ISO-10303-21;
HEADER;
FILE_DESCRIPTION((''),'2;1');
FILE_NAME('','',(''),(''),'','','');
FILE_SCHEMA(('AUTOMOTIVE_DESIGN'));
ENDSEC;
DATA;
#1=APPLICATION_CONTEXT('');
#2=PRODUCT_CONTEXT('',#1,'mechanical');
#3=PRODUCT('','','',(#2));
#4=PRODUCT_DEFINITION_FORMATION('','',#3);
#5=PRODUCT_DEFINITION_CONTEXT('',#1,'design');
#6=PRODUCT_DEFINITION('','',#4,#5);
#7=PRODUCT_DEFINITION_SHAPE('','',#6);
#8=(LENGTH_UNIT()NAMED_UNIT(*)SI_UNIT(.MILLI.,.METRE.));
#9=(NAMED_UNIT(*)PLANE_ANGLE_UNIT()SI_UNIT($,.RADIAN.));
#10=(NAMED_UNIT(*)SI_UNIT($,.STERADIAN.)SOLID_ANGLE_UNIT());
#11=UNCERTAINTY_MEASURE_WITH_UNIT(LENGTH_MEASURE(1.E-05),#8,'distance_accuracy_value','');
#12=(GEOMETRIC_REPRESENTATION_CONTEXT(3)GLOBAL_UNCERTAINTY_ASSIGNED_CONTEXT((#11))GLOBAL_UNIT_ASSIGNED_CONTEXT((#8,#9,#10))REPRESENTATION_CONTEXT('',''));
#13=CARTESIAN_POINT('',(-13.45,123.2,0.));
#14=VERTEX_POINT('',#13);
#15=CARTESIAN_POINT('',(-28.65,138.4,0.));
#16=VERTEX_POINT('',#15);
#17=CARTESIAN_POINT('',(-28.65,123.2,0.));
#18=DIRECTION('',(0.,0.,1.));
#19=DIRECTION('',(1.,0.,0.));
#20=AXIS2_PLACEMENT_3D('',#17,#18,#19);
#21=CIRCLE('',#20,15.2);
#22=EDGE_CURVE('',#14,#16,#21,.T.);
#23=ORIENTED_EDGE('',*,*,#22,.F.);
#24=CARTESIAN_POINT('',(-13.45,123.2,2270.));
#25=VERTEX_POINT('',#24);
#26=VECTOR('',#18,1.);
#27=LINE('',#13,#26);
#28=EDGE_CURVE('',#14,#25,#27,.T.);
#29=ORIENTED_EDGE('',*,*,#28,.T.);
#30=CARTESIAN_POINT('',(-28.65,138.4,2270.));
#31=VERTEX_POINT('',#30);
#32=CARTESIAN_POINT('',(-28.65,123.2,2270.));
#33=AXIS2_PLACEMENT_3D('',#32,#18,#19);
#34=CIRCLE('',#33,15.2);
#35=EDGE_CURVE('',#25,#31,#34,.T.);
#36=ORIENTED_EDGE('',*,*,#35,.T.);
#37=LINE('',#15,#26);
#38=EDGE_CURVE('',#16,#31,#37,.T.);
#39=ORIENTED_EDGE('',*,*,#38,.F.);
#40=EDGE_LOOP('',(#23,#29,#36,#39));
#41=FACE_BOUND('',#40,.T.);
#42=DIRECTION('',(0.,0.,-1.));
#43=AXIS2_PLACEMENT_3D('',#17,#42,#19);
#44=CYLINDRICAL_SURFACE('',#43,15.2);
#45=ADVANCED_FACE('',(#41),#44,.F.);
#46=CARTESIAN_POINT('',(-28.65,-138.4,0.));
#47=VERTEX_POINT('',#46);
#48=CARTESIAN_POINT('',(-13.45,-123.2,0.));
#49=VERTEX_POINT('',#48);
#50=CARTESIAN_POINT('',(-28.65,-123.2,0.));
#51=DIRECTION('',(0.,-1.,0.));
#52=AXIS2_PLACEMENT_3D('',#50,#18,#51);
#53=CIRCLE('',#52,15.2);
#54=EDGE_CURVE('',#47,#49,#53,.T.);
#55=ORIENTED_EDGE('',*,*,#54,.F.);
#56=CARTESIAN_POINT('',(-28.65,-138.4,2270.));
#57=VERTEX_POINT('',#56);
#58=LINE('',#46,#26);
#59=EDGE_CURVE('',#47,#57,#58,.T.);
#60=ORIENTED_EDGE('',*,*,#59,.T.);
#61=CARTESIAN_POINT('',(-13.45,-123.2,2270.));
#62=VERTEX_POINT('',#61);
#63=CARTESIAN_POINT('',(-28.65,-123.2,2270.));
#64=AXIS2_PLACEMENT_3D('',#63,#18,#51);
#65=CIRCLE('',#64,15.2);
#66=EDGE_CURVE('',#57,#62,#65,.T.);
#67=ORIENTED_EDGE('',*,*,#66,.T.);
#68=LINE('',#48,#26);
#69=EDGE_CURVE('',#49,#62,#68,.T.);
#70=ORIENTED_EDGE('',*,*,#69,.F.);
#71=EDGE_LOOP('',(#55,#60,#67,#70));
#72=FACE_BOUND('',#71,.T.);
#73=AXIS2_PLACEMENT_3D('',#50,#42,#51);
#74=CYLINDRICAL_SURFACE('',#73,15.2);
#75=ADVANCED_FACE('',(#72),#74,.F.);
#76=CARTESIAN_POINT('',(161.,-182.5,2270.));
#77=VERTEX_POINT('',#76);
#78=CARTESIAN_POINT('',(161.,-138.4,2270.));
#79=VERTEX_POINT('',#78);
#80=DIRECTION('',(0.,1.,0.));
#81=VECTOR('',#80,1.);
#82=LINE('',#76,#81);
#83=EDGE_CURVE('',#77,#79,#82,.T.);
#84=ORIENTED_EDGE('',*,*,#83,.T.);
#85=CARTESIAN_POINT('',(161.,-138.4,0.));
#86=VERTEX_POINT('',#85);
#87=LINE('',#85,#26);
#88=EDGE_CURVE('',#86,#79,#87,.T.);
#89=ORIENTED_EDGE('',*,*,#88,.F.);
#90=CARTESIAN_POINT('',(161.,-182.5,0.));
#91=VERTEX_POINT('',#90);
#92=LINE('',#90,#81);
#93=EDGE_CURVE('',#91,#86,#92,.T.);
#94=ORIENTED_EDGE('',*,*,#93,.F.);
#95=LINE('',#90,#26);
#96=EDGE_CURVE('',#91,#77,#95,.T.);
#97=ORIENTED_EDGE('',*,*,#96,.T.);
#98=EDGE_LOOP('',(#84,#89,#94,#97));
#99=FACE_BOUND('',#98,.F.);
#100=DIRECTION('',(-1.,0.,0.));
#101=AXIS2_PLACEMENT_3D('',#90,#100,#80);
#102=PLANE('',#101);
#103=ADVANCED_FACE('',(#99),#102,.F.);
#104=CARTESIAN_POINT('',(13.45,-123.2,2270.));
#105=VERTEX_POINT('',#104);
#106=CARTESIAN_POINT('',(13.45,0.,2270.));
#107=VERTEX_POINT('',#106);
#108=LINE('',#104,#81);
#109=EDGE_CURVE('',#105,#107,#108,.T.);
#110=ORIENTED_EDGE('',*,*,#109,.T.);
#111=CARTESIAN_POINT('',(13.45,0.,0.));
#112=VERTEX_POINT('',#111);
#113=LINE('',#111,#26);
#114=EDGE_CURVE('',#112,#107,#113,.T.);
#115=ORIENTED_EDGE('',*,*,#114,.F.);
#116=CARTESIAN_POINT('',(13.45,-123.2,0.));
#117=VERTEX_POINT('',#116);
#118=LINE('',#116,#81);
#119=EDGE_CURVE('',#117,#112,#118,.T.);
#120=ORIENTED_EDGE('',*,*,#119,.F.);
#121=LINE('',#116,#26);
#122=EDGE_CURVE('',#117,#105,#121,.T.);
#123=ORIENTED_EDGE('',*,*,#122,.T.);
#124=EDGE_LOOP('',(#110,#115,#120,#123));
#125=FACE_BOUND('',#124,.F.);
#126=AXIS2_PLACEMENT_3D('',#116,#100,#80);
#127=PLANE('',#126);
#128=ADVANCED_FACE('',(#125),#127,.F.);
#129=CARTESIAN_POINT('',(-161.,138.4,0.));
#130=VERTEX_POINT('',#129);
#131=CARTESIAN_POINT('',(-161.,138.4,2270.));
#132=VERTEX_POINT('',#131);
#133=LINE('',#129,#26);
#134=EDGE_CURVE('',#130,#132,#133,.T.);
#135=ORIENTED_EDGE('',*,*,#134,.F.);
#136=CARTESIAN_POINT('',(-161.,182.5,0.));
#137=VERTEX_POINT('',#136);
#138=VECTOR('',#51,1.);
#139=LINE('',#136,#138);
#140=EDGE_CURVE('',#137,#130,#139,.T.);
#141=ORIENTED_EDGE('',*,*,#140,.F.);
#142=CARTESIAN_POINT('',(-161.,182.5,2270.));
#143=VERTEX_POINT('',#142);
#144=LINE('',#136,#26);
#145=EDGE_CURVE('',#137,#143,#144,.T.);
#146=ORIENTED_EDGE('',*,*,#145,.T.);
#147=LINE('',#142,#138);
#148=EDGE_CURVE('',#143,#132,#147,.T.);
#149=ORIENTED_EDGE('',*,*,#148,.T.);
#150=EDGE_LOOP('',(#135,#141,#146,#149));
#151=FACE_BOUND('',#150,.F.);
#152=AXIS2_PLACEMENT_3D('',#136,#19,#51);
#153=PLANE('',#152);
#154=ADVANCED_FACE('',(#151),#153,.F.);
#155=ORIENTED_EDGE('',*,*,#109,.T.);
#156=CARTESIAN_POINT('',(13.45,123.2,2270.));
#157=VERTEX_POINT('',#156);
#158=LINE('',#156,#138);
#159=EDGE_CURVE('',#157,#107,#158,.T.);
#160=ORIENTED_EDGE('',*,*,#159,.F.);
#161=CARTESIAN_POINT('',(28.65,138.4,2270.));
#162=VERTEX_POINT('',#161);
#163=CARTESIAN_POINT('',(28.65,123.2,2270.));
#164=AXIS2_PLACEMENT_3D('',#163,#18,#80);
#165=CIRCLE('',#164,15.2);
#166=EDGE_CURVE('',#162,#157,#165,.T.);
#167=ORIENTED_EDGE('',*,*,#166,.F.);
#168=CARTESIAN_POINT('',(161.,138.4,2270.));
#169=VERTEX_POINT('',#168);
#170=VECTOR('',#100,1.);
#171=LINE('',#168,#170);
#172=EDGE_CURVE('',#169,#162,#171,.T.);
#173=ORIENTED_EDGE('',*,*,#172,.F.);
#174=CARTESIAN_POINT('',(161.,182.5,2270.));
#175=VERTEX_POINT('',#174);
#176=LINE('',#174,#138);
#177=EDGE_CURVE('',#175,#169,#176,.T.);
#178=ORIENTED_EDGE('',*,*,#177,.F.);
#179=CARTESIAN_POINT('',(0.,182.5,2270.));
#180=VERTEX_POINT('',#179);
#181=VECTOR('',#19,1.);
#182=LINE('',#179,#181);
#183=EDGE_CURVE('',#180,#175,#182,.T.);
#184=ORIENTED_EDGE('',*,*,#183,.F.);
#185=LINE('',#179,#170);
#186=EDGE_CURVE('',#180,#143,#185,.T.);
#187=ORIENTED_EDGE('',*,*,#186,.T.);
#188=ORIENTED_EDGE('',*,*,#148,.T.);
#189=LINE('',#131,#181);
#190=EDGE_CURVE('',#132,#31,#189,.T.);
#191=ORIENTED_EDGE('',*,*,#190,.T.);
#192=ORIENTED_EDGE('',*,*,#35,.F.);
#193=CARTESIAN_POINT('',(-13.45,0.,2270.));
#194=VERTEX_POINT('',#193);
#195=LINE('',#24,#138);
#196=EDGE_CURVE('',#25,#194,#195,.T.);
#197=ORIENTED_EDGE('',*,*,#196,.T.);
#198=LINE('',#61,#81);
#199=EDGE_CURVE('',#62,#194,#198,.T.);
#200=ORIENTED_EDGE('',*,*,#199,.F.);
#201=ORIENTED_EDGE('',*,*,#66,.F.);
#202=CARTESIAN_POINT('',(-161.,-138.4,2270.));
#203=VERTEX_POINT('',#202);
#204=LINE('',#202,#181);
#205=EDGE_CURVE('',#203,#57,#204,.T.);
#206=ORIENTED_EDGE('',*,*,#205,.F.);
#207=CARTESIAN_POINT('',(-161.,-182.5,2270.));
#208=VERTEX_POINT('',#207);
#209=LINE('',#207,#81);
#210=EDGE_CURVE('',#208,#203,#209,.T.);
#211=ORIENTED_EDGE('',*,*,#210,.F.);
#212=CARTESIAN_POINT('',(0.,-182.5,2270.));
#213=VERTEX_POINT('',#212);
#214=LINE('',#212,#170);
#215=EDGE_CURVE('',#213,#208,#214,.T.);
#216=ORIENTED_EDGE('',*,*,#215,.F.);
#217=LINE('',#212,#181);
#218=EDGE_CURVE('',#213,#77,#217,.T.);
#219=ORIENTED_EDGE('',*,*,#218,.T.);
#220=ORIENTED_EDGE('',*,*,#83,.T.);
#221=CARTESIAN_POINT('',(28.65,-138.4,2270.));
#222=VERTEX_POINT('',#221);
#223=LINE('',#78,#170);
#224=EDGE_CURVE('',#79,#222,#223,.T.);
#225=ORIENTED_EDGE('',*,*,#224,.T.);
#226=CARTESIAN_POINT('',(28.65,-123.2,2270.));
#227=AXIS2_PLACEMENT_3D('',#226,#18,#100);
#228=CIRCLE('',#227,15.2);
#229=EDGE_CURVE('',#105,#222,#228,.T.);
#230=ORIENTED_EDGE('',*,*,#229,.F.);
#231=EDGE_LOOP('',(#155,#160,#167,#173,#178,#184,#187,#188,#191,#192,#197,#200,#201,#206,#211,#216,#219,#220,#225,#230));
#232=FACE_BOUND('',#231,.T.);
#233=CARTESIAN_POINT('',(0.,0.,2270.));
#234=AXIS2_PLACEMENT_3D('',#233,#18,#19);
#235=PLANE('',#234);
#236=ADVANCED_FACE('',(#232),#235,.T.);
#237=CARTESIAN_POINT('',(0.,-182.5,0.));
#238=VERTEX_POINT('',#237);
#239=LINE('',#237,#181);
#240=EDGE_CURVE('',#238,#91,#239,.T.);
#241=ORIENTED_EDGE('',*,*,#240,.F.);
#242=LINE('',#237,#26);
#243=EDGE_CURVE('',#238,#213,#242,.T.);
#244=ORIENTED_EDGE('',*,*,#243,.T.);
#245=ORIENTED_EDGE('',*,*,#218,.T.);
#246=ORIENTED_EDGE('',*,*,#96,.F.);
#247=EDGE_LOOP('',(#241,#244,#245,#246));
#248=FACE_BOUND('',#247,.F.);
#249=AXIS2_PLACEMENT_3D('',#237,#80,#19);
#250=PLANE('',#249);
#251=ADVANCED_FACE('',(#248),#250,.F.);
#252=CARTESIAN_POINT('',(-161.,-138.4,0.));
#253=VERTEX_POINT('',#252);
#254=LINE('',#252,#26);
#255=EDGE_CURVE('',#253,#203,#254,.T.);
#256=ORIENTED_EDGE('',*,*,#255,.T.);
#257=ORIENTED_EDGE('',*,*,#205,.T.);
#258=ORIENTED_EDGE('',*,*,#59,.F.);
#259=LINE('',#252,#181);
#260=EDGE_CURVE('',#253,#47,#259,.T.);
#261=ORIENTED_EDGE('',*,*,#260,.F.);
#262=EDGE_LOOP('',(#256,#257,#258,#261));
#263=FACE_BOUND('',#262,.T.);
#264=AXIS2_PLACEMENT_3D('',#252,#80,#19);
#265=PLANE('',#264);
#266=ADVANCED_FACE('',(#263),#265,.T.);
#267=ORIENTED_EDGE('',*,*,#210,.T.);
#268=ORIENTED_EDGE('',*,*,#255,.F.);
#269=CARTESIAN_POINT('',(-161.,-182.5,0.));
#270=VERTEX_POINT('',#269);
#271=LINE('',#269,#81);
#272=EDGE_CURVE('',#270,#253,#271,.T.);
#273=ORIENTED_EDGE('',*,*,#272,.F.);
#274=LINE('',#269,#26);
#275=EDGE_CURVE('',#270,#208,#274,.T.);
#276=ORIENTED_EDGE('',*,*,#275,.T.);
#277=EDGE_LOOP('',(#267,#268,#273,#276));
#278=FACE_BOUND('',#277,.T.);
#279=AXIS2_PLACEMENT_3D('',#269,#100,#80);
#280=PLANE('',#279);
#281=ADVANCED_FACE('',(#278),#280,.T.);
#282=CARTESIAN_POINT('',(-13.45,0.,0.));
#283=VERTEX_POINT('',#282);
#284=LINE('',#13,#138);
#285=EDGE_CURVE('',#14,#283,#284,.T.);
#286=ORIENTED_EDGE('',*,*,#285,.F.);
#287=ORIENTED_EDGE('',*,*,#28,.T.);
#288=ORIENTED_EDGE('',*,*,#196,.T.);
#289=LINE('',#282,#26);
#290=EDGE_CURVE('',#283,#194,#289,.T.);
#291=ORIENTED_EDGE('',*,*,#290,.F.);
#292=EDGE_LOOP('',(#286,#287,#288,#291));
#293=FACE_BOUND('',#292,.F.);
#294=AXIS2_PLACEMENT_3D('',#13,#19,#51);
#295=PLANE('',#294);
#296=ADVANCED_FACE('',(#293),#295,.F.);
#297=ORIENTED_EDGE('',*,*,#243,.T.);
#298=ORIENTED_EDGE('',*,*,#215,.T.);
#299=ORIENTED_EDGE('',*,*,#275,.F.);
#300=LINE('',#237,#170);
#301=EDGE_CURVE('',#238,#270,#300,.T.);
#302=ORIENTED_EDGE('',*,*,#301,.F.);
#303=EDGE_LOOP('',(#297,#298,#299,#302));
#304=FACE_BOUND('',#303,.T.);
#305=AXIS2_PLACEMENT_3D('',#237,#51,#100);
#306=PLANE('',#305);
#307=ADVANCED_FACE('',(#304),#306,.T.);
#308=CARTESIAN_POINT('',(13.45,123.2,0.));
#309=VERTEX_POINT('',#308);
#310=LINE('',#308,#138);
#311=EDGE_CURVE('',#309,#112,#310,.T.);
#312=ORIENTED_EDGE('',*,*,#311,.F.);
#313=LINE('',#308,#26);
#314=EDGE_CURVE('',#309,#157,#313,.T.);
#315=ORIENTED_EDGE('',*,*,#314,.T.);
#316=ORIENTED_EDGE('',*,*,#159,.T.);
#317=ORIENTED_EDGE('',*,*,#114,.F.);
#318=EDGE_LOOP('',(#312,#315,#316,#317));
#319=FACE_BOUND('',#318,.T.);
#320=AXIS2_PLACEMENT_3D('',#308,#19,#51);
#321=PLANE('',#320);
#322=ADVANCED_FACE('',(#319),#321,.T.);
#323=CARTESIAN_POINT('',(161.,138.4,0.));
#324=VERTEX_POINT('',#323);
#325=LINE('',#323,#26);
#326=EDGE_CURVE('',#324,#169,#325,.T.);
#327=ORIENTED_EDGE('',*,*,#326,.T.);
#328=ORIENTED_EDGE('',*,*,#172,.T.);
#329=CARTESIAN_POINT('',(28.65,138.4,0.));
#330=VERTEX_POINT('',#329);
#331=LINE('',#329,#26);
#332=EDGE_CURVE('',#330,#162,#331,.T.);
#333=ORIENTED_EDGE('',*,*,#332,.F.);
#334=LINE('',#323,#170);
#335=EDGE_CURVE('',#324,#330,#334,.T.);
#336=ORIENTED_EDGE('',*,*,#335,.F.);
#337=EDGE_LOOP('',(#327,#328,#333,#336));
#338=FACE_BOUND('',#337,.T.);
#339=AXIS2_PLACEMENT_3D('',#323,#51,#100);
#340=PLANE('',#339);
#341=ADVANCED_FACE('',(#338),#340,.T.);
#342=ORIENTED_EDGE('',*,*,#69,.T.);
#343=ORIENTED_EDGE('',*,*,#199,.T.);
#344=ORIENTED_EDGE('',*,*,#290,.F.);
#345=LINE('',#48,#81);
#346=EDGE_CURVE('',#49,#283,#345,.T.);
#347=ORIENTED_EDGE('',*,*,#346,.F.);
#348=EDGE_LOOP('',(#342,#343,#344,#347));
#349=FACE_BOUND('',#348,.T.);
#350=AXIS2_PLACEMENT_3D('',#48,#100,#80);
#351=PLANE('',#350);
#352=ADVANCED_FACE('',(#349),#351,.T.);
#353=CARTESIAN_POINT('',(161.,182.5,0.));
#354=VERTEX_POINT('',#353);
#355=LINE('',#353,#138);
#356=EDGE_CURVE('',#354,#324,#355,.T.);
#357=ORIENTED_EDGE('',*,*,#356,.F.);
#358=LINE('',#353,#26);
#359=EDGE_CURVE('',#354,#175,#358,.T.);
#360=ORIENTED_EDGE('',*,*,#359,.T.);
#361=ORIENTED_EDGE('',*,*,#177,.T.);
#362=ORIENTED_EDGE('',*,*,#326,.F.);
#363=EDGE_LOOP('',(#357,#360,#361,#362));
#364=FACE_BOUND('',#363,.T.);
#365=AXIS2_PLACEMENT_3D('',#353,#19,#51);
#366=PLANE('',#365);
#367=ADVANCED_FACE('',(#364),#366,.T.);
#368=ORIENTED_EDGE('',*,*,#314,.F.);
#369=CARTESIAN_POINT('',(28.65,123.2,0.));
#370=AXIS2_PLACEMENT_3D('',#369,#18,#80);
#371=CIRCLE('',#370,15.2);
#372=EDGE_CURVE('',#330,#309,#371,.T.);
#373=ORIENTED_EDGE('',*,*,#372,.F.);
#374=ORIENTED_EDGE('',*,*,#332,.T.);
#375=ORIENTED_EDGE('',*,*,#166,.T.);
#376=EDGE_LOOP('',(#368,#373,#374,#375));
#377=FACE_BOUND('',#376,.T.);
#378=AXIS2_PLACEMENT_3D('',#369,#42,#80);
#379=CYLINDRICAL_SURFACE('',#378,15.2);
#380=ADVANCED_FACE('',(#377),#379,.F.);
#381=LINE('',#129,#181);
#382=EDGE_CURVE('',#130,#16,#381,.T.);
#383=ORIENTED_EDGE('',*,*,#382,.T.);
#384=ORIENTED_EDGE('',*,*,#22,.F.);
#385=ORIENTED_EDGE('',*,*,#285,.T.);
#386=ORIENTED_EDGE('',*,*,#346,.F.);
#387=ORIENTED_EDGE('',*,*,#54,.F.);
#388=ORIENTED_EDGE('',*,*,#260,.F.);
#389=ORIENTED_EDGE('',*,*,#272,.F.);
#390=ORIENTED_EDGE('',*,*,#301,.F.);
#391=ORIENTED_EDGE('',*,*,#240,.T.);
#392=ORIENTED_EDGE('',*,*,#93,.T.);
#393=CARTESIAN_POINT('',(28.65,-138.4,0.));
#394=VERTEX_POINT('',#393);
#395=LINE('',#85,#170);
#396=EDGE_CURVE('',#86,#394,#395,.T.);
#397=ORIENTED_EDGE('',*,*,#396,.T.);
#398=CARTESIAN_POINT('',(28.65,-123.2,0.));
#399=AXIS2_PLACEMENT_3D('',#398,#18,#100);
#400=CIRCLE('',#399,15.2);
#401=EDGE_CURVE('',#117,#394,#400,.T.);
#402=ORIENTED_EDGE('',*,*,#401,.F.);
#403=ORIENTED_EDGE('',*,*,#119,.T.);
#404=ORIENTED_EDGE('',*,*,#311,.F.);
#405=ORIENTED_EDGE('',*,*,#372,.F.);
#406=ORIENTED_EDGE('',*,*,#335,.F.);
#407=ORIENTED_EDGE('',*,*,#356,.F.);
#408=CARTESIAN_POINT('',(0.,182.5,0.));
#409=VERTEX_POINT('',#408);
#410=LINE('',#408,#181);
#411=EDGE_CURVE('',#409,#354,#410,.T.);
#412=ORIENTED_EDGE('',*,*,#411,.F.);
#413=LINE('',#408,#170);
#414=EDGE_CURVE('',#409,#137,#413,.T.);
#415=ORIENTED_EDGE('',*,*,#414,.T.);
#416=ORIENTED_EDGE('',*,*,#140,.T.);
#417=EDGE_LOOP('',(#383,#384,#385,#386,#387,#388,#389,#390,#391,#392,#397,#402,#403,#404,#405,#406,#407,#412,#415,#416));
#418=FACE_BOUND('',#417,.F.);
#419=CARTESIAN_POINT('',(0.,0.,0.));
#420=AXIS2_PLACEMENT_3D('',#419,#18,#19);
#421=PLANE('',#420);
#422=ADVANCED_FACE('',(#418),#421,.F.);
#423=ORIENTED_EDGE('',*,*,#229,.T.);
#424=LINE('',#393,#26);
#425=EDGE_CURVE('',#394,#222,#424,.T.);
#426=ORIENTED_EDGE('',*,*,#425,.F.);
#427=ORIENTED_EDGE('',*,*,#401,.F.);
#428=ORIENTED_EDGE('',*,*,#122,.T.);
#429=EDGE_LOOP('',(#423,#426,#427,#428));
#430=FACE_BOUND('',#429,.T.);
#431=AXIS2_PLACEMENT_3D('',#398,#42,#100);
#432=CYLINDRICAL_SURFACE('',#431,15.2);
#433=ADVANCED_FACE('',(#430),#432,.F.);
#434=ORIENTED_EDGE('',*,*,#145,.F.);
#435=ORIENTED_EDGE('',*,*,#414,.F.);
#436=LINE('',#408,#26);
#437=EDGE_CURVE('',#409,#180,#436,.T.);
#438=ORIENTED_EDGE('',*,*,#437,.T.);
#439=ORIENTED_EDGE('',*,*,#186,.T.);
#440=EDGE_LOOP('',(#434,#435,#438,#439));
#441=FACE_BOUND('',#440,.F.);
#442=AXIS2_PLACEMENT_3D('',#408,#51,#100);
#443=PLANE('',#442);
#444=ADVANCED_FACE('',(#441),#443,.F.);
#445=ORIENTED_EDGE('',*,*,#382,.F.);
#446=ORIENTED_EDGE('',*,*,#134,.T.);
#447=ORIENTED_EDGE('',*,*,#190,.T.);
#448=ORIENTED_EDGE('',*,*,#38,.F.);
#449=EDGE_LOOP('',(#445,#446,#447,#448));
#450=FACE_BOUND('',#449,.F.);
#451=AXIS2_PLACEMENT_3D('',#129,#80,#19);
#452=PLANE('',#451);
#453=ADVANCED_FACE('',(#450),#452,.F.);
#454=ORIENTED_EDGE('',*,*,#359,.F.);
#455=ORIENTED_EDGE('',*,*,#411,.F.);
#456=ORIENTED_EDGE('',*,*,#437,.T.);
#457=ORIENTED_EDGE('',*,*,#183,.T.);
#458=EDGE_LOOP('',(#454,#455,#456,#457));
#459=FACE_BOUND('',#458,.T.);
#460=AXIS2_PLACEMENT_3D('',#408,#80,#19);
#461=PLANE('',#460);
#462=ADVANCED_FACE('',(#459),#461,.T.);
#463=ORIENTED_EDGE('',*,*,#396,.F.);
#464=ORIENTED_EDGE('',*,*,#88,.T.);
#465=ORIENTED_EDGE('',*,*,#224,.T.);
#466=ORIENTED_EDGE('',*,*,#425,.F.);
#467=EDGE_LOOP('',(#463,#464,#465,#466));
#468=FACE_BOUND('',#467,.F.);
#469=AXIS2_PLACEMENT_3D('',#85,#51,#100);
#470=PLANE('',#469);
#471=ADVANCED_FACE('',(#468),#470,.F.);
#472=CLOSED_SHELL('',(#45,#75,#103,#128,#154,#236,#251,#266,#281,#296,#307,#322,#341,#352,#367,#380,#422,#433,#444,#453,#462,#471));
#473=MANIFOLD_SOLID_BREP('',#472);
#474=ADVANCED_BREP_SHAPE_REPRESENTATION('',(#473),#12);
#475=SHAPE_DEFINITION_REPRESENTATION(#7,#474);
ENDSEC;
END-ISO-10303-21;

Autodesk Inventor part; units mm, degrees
ref_plane "YZ Plane" through (0, 0, 0) normal (1, 0, 0) x (0, 1, 0)
ref_plane "Start plane" through (0, 0, 0) normal (0, 0, 1) x (1, 0, 0)
ref_plane "End plane" through (0, 0, 2270) normal (0, 0, 1) x (1, 0, 0)
sketch "Sketch" plane through (0, 0, 0) normal (0, 0, 1) x (1, 0, 0)
  line L0 (-161, -182.5) -> (-161, -138.4)
  line L1 (-161, -138.4) -> (-28.65, -138.4)
  line L2 (-13.45, -123.2) -> (-13.45, 0)
  line L3 (-13.45, 0) -> (0, 0) construction
  line L4 (0, 0) -> (0, -182.5) construction
  line L5 (0, -182.5) -> (-161, -182.5)
  line L6 (-60, 0) -> (80, 0) construction
  line L7 (0, -60) -> (0, 80) construction
  line L8 (161, -182.5) -> (161, -138.4)
  line L9 (161, -138.4) -> (28.65, -138.4)
  line L10 (13.45, -123.2) -> (13.45, 0)
  line L11 (13.45, 0) -> (0, 0) construction
  line L12 (0, -182.5) -> (161, -182.5)
  line L13 (-161, 182.5) -> (-161, 138.4)
  line L14 (-161, 138.4) -> (-28.65, 138.4)
  line L15 (-13.45, 123.2) -> (-13.45, 0)
  line L16 (0, 182.5) -> (-161, 182.5)
  line L17 (161, 182.5) -> (161, 138.4)
  line L18 (161, 138.4) -> (28.65, 138.4)
  line L19 (0, 182.5) -> (161, 182.5)
  line L20 (13.45, 123.2) -> (13.45, 0)
  arc A0 (-13.45, 123.2) -> (-28.65, 138.4) centre (-28.65, 123.2) ccw
  arc A1 (28.65, 138.4) -> (13.45, 123.2) centre (28.65, 123.2) ccw
  arc A2 (13.45, -123.2) -> (28.65, -138.4) centre (28.65, -123.2) ccw
  arc A3 (-28.65, -138.4) -> (-13.45, -123.2) centre (-28.65, -123.2) ccw
  line L21 (0, 108) -> (0, -88) construction
  line L22 (-88, 0) -> (108, 0) construction
  point P0 (-13.45, -138.4)
  point P1 (13.45, -138.4)
  point P2 (-13.45, 138.4)
  point P3 (13.45, 138.4)
  dimension "d1" = 182.5
  dimension "d2" = 44.1
  dimension "d3" = 161
  dimension "d4" = 13.45
  dimension "d10" = 15.2
extrude "Body" add sketch "Sketch" along normal up to surface (2270 mm away) from surface at 0
sketch "Sketch4" plane through (0, 0, 0) normal (0, 0, 1) x (1, 0, 0)
  line L0 (0, 0) -> (10, 0)
ref_plane "Work Plane3" through (0, 0, 0) normal (0, -1, 0) x (1, 0, 0)
sketch "Sketch5" plane through (0, 0, 0) normal (0, -1, 0) x (1, 0, 0)
  line L0 (-2, 0) -> (12, 0) projected
  line L1 (-2, 2270) -> (12, 2270) projected
  dimension "d14" = 2270
equation "\"d1\" = 0.5 * G_H"
equation "\"d2\" = G_T1"
equation "\"d3\" = 0.5 * G_W"
equation "\"d4\" = 0.5 * G_T"
equation "\"d10\" = G_IR"
equation "\"d5\" = G_L"
equation "\"G_W\" = 322"
equation "\"G_H\" = 365"
equation "\"G_T\" = 26.9"
equation "\"G_T1\" = 44.1"
equation "\"G_IR\" = 15.2"
equation "\"G_L\" = d14"
equation "\"G_OFFSET_START\" = 0"
equation "\"G_OFFSET_END\" = 0"
properties part number "AS 3679 - 310 UC - 283 - 2270" material "Steel, Mild"
